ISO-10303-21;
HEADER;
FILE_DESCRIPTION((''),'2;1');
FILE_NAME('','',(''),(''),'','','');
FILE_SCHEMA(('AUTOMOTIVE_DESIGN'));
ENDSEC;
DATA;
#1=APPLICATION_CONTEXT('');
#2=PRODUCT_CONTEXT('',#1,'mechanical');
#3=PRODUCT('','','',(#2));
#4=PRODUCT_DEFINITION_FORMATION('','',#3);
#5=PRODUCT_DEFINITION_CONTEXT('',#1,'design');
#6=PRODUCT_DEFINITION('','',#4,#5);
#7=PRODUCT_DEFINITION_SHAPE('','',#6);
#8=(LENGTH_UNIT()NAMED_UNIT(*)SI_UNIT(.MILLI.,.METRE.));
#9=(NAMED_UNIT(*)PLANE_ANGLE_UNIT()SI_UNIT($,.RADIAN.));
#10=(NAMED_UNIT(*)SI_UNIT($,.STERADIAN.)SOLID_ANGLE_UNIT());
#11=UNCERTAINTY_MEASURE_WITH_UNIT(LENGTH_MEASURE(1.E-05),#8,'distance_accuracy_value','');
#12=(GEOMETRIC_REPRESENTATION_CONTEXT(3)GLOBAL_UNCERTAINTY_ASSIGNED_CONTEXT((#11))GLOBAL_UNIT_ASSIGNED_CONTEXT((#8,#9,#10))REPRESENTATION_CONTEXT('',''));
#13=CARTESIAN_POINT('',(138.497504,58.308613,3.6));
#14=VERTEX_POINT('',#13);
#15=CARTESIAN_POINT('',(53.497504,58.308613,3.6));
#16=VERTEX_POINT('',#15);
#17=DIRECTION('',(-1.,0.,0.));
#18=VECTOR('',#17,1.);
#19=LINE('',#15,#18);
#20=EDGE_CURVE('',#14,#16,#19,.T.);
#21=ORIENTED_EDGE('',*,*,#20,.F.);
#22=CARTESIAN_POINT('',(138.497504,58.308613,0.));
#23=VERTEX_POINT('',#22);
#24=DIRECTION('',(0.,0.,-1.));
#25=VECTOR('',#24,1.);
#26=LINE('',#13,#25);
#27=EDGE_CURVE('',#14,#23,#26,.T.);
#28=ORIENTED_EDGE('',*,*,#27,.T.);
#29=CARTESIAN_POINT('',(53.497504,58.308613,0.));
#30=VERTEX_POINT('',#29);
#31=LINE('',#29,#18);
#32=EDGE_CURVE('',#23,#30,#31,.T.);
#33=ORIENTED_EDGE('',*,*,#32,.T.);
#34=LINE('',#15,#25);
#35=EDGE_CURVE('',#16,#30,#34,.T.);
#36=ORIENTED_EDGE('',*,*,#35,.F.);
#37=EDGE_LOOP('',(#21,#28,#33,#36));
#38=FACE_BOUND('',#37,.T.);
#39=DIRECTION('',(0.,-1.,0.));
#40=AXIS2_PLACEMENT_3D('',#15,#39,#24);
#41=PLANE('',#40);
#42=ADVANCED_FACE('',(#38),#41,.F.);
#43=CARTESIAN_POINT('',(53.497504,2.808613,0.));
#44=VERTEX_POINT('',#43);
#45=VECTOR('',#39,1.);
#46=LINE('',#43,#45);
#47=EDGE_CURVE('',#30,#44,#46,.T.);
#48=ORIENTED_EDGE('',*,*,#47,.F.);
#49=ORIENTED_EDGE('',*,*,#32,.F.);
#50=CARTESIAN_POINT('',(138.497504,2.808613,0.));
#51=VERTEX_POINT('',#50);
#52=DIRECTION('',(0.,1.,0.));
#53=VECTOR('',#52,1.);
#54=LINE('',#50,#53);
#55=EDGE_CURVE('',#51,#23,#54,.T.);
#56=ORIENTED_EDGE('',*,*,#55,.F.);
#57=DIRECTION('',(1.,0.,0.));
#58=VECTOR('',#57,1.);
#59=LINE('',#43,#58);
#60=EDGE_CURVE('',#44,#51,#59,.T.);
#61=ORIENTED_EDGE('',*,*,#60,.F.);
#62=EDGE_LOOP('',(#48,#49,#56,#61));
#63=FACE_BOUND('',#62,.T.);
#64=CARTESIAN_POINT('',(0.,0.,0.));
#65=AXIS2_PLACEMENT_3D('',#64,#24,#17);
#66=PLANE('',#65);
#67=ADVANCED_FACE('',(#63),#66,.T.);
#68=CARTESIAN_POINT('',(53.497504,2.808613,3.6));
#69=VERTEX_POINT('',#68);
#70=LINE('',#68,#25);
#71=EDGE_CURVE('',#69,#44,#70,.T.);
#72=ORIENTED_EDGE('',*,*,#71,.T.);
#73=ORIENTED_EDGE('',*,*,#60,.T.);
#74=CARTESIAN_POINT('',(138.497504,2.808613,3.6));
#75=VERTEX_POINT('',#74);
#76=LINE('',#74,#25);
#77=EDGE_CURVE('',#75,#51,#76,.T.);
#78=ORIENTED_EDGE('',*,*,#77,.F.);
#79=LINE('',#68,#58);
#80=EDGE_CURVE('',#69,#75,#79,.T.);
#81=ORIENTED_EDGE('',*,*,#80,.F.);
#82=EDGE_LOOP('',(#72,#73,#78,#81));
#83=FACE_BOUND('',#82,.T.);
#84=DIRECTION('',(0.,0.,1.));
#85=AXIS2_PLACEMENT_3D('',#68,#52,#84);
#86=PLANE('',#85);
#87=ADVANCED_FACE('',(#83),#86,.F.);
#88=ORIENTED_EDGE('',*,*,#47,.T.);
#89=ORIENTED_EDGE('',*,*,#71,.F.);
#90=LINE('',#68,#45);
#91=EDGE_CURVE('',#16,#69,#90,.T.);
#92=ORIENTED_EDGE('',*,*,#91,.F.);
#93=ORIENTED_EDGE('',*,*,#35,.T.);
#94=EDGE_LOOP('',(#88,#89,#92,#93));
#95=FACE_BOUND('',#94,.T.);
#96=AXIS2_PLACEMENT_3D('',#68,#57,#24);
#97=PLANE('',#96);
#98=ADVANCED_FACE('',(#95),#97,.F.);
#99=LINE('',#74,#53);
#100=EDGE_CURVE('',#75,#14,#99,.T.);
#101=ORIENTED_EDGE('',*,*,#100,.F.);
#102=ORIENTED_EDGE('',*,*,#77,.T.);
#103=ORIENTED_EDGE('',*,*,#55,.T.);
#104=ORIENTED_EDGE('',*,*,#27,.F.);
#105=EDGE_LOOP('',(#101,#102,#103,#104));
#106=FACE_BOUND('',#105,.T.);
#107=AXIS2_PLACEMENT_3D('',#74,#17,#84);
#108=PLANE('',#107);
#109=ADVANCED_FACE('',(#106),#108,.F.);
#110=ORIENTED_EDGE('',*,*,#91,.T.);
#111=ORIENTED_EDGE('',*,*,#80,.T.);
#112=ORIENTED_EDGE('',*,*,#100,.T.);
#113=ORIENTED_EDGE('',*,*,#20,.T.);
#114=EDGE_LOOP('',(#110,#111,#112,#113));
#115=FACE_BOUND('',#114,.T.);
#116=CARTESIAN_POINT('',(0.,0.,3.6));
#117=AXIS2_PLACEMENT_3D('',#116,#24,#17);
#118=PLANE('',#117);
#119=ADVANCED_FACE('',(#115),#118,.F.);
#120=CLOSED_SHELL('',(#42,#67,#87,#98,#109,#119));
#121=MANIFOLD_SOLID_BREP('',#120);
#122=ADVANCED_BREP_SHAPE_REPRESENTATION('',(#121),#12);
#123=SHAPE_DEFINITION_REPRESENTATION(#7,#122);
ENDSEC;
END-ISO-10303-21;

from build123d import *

# Parameters (mm, degrees)
SKETCH_1_W      = 85
SKETCH_1_H      = 55.5
EXTRUDE_1_DEPTH = 3.6


with BuildPart() as part:
    # 草图1 → 凸台-拉伸1 (new body)
    with BuildSketch(Plane(origin=(53.497504498, 2.808613122, 0), x_dir=(1, 0, 0), z_dir=(0, 0, 1))):
        with Locations((42.5, 27.75)):
            Rectangle(SKETCH_1_W, SKETCH_1_H)
    extrude(amount=EXTRUDE_1_DEPTH)


solid = part.part
